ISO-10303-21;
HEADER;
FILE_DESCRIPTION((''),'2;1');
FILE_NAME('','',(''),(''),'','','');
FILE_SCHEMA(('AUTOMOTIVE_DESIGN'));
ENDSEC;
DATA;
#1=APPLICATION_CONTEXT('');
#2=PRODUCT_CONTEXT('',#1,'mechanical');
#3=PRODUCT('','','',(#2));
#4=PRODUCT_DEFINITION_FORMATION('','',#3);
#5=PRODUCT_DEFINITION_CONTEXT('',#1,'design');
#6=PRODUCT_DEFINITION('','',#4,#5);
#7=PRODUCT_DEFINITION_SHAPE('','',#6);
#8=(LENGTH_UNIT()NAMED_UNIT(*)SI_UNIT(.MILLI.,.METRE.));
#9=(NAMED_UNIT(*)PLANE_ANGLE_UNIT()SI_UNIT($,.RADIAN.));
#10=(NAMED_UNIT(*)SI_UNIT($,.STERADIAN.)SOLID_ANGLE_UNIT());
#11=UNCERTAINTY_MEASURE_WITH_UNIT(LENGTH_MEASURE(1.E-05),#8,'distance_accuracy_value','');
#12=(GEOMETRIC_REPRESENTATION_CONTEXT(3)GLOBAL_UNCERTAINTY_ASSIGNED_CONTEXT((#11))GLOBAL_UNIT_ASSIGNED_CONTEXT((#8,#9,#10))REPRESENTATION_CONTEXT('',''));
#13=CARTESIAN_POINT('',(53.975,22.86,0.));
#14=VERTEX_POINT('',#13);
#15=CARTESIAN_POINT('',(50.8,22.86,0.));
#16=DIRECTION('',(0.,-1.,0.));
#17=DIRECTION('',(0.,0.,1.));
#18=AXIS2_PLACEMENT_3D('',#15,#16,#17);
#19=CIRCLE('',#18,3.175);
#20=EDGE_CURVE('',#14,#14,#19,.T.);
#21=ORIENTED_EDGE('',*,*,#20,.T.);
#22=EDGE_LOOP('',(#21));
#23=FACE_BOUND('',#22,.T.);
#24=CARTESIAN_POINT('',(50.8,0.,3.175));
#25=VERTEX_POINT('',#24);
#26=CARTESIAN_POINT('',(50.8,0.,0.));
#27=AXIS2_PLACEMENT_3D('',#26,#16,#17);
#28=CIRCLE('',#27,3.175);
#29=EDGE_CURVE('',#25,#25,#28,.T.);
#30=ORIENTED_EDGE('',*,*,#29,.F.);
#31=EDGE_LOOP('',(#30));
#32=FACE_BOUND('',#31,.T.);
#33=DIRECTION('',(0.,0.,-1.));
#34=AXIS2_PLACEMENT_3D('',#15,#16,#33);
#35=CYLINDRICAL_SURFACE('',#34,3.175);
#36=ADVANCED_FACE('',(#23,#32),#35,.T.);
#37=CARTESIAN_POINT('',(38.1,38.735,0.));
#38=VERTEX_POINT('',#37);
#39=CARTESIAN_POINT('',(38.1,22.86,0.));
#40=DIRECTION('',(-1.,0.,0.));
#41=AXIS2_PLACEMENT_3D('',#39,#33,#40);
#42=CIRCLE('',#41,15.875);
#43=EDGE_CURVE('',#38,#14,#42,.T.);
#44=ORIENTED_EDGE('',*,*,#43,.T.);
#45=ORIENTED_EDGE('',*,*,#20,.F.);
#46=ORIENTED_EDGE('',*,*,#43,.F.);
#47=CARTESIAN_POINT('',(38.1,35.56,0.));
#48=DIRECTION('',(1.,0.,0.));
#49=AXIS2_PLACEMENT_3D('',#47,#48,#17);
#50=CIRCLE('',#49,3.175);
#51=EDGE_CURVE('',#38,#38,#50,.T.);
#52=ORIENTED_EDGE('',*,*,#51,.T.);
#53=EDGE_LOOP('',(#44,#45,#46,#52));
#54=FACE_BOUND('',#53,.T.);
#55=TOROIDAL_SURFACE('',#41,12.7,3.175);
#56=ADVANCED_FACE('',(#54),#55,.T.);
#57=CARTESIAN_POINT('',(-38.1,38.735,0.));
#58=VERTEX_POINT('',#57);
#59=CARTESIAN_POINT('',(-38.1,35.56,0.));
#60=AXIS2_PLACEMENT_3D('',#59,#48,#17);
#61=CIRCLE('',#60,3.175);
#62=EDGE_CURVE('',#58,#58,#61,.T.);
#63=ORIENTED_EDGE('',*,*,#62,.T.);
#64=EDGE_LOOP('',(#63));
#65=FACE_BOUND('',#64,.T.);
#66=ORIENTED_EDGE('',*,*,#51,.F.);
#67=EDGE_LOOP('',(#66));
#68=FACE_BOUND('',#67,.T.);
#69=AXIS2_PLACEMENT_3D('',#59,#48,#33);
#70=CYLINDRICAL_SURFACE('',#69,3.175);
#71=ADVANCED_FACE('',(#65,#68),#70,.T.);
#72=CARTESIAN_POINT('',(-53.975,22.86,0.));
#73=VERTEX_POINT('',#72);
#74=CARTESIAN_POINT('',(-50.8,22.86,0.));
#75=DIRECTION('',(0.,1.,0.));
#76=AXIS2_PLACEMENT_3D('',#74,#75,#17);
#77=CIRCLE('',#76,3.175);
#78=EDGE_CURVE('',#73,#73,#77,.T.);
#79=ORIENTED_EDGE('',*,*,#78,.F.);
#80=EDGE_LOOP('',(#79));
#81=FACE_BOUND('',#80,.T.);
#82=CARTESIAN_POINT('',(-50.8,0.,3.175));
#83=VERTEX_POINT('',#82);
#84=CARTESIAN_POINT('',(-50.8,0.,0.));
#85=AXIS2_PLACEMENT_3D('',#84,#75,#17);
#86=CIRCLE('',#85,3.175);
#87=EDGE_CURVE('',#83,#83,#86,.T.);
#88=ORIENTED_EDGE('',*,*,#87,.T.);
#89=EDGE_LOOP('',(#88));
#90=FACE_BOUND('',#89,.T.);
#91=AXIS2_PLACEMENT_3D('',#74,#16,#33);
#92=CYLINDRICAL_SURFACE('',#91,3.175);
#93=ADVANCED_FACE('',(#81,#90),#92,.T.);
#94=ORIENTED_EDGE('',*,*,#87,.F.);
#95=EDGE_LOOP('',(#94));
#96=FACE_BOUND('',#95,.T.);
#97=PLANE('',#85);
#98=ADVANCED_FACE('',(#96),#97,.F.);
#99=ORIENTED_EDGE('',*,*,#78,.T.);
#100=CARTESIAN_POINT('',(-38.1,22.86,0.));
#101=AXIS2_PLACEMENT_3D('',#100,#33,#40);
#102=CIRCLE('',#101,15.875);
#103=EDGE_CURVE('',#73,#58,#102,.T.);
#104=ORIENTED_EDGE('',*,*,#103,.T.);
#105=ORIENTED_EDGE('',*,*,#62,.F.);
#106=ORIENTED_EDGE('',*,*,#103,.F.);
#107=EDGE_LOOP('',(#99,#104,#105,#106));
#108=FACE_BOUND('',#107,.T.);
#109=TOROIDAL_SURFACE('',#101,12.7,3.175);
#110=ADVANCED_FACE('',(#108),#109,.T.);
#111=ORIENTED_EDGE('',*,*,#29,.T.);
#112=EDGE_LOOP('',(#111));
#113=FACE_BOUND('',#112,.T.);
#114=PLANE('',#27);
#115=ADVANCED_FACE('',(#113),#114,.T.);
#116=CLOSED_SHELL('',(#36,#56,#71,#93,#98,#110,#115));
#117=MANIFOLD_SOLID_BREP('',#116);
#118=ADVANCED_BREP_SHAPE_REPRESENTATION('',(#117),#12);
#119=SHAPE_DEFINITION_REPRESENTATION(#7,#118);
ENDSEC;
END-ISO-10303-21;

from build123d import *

# Parameters (mm, degrees)
SKETCH3_R = 3.175


with BuildPart() as part:
    # Sweep1: sweep along a path in Sketch2
    with BuildLine(Plane.XY) as sweep1_path:
        Line((-50.8, 0), (-50.8, 22.86))
        ThreePointArc((-50.8, 22.86), (-47.080256121, 31.840256121), (-38.1, 35.56))
        Line((-38.1, 35.56), (38.1, 35.56))
        ThreePointArc((38.1, 35.56), (47.080256121, 31.840256121), (50.8, 22.86))
        Line((50.8, 22.86), (50.8, 0))
    # Sketch3 → Sweep1 (sweep)
    with BuildSketch(Plane(origin=(0, 0, 0), x_dir=(1, 0, 0), z_dir=(0, 1, 0))):
        with Locations((-50.8, 0)):
            Circle(SKETCH3_R)
    sweep(path=sweep1_path.line)


solid = part.part
